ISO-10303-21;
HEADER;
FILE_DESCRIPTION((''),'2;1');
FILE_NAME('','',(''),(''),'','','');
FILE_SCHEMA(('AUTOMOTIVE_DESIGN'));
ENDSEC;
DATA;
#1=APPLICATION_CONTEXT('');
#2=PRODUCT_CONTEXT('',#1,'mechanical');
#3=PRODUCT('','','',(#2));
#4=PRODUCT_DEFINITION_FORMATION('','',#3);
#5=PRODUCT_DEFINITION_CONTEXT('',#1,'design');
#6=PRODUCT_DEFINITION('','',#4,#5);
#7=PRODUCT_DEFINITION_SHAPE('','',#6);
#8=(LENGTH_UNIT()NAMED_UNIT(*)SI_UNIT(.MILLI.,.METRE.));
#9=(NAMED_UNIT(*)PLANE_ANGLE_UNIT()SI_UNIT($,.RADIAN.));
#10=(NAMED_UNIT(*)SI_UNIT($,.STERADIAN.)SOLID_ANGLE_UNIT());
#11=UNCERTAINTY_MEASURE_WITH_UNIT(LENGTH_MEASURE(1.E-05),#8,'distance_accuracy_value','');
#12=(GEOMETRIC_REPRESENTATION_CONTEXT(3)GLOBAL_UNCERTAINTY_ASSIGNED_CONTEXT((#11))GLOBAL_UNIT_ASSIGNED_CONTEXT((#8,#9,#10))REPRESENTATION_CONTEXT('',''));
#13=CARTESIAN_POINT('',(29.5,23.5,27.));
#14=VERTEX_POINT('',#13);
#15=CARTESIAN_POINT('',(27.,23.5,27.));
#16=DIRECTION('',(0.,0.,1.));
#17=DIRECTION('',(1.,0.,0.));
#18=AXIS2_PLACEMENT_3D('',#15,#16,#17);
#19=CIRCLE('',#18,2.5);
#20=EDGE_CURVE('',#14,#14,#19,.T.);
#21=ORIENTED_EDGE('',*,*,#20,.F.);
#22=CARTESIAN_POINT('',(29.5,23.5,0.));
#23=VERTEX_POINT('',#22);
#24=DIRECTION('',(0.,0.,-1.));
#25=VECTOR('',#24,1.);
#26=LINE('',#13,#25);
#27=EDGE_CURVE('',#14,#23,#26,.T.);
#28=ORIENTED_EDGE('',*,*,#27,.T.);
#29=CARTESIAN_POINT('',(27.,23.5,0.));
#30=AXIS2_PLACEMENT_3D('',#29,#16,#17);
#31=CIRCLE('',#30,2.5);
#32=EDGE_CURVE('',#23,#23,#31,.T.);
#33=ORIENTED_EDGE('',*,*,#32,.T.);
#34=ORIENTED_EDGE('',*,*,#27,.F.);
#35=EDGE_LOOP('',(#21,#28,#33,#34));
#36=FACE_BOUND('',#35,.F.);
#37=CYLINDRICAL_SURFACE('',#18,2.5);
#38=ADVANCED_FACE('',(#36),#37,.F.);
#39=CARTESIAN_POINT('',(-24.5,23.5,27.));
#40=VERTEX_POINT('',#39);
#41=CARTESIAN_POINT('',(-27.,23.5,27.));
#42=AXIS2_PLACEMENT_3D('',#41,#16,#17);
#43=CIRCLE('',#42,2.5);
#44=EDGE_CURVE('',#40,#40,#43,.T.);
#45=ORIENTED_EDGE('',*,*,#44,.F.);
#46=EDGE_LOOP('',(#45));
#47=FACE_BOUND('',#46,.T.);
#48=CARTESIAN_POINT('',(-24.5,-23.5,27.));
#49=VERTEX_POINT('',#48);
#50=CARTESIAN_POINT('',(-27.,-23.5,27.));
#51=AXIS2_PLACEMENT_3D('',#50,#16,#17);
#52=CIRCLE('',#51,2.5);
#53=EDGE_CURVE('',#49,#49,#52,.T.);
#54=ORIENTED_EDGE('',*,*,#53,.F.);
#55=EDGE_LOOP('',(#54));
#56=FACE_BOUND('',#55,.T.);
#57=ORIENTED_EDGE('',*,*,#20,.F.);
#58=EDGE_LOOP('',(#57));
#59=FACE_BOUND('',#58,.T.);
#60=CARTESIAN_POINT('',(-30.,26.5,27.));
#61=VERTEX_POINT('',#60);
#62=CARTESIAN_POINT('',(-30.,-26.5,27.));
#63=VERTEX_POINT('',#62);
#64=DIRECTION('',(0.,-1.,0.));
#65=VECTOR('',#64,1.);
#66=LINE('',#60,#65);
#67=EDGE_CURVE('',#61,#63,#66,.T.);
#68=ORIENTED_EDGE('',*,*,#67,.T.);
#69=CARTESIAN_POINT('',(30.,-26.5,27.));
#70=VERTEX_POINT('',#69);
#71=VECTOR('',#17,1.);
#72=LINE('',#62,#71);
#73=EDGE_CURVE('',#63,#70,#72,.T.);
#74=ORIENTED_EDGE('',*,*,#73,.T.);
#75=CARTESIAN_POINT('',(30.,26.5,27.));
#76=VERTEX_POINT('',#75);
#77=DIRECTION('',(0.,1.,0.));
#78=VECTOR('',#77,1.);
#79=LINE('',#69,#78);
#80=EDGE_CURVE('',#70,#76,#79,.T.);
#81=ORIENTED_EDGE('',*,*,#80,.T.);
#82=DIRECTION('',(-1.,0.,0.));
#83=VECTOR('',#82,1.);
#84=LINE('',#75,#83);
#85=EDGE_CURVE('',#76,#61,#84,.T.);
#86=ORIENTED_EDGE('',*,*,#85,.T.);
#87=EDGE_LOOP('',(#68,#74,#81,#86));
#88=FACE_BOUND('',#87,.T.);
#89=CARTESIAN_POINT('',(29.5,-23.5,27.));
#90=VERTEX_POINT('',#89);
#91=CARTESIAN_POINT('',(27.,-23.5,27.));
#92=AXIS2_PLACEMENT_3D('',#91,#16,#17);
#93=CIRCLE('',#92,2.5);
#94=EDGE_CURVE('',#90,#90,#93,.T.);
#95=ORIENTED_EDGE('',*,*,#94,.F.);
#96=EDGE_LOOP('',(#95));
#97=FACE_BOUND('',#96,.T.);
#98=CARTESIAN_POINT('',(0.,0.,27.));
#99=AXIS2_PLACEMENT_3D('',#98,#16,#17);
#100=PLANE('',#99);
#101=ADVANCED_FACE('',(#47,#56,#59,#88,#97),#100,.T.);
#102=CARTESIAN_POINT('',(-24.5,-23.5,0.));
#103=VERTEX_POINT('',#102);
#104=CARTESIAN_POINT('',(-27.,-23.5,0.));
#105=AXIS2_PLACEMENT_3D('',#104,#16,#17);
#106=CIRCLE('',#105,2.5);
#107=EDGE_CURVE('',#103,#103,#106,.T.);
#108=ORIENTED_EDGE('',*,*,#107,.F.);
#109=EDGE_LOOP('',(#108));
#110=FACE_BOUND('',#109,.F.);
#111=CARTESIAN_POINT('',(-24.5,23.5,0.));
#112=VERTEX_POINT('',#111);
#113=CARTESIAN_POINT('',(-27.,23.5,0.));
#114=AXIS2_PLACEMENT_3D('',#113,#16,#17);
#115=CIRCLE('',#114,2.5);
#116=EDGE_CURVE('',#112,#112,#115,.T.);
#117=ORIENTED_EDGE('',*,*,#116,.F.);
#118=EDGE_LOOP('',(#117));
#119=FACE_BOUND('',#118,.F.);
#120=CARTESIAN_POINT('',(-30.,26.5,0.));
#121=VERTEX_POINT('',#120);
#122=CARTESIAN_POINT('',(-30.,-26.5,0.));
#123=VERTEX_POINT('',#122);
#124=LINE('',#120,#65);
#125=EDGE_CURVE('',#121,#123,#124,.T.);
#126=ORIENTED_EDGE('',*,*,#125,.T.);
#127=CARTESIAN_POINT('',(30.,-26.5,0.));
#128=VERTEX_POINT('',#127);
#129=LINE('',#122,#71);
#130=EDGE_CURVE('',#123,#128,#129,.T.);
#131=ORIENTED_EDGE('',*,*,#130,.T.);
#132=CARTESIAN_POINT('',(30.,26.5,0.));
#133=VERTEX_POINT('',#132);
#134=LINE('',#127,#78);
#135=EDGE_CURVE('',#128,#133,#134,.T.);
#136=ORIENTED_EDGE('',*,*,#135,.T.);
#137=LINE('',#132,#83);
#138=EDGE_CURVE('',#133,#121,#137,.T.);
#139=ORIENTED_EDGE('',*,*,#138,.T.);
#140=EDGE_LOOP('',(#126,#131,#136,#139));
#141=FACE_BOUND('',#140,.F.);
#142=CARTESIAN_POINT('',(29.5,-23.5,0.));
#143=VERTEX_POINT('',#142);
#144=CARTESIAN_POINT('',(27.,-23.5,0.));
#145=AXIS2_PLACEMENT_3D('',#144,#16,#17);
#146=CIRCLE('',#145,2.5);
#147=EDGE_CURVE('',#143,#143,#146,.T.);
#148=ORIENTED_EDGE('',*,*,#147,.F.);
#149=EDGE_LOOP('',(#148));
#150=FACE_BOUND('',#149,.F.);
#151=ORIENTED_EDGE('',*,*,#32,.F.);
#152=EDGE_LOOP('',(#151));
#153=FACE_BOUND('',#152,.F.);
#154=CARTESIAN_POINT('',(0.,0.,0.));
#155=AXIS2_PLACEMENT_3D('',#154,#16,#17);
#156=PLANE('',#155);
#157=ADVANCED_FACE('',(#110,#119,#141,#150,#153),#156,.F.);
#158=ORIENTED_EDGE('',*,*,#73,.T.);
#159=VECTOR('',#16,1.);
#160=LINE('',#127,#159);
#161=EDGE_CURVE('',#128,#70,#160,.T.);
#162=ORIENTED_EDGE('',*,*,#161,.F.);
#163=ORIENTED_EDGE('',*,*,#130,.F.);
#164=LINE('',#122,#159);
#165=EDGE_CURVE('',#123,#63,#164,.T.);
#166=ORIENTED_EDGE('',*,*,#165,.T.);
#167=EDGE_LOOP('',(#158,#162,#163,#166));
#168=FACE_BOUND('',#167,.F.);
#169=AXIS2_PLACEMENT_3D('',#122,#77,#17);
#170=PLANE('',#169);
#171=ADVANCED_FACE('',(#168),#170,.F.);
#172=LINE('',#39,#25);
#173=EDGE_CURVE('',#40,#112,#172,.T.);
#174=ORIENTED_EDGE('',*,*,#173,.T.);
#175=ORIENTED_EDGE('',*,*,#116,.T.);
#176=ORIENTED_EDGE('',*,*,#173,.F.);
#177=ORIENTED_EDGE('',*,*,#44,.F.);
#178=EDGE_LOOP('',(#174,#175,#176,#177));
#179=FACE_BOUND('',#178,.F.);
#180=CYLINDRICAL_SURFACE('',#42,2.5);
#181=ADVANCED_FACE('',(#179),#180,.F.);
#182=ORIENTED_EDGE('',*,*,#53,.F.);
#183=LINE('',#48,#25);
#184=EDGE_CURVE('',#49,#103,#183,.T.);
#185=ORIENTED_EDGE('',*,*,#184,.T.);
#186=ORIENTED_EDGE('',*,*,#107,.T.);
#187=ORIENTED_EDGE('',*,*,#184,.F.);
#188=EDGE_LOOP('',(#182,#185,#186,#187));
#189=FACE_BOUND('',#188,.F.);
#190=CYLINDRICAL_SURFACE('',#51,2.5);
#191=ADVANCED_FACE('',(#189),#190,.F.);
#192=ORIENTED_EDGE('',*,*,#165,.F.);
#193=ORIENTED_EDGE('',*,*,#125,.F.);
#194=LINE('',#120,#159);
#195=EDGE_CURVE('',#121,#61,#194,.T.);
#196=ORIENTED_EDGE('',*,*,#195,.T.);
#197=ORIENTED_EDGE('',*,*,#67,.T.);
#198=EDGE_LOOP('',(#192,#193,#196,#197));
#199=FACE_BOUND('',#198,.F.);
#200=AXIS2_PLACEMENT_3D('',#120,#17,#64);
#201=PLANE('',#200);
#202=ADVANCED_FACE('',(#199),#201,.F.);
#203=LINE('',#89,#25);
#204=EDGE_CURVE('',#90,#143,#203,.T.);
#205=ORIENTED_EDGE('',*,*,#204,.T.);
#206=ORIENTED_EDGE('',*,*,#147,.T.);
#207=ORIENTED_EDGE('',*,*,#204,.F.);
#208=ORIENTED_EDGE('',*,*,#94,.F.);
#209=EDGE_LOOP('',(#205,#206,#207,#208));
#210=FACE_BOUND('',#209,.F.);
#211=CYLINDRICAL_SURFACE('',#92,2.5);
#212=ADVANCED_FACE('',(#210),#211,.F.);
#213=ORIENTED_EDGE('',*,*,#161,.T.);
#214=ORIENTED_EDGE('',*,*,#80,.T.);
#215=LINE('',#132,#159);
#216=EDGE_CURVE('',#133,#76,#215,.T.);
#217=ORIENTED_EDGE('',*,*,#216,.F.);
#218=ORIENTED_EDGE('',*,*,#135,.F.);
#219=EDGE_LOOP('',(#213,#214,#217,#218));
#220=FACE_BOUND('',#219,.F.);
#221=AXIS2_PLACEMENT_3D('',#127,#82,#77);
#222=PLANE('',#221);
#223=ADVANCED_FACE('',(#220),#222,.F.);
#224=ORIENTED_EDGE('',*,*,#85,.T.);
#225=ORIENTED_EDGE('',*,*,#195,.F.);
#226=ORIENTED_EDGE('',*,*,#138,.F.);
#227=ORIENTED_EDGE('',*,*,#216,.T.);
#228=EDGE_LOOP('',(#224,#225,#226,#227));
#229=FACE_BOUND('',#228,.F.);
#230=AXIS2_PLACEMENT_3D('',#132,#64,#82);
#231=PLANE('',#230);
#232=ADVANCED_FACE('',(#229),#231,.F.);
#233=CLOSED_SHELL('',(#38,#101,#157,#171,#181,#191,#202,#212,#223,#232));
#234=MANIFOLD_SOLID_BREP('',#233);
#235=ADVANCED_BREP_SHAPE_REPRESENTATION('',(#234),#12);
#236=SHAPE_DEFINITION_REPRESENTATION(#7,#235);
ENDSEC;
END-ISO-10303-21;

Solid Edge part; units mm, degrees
sketch "Sketch1" plane through (0, 0, 0) normal (0, 0, 1) x (1, 0, 0)
  line L0 (-30, -26.5) -> (30, -26.5)
  line L1 (30, -26.5) -> (30, 26.5)
  line L2 (30, 26.5) -> (-30, 26.5)
  line L3 (-30, 26.5) -> (-30, -26.5)
  dimension "D1" = 53
  dimension "D2" = 60
extrude "Protrusion1" add sketch "Sketch1" along normal blind 27
sketch "Sketch2" plane through (0, 0, 27) normal (0, 0, 1) x (1, 0, 0)
  circle A0 centre (-27, 23.5) radius 2.5
  circle A1 centre (27, 23.5) radius 2.5
  circle A2 centre (27, -23.5) radius 2.5
  circle A3 centre (-27, -23.5) radius 2.5
  dimension "D1" = 5
  dimension "D2" = 47
  dimension "D3" = 54
extrude "Cutout1" cut sketch "Sketch2" against normal through all
